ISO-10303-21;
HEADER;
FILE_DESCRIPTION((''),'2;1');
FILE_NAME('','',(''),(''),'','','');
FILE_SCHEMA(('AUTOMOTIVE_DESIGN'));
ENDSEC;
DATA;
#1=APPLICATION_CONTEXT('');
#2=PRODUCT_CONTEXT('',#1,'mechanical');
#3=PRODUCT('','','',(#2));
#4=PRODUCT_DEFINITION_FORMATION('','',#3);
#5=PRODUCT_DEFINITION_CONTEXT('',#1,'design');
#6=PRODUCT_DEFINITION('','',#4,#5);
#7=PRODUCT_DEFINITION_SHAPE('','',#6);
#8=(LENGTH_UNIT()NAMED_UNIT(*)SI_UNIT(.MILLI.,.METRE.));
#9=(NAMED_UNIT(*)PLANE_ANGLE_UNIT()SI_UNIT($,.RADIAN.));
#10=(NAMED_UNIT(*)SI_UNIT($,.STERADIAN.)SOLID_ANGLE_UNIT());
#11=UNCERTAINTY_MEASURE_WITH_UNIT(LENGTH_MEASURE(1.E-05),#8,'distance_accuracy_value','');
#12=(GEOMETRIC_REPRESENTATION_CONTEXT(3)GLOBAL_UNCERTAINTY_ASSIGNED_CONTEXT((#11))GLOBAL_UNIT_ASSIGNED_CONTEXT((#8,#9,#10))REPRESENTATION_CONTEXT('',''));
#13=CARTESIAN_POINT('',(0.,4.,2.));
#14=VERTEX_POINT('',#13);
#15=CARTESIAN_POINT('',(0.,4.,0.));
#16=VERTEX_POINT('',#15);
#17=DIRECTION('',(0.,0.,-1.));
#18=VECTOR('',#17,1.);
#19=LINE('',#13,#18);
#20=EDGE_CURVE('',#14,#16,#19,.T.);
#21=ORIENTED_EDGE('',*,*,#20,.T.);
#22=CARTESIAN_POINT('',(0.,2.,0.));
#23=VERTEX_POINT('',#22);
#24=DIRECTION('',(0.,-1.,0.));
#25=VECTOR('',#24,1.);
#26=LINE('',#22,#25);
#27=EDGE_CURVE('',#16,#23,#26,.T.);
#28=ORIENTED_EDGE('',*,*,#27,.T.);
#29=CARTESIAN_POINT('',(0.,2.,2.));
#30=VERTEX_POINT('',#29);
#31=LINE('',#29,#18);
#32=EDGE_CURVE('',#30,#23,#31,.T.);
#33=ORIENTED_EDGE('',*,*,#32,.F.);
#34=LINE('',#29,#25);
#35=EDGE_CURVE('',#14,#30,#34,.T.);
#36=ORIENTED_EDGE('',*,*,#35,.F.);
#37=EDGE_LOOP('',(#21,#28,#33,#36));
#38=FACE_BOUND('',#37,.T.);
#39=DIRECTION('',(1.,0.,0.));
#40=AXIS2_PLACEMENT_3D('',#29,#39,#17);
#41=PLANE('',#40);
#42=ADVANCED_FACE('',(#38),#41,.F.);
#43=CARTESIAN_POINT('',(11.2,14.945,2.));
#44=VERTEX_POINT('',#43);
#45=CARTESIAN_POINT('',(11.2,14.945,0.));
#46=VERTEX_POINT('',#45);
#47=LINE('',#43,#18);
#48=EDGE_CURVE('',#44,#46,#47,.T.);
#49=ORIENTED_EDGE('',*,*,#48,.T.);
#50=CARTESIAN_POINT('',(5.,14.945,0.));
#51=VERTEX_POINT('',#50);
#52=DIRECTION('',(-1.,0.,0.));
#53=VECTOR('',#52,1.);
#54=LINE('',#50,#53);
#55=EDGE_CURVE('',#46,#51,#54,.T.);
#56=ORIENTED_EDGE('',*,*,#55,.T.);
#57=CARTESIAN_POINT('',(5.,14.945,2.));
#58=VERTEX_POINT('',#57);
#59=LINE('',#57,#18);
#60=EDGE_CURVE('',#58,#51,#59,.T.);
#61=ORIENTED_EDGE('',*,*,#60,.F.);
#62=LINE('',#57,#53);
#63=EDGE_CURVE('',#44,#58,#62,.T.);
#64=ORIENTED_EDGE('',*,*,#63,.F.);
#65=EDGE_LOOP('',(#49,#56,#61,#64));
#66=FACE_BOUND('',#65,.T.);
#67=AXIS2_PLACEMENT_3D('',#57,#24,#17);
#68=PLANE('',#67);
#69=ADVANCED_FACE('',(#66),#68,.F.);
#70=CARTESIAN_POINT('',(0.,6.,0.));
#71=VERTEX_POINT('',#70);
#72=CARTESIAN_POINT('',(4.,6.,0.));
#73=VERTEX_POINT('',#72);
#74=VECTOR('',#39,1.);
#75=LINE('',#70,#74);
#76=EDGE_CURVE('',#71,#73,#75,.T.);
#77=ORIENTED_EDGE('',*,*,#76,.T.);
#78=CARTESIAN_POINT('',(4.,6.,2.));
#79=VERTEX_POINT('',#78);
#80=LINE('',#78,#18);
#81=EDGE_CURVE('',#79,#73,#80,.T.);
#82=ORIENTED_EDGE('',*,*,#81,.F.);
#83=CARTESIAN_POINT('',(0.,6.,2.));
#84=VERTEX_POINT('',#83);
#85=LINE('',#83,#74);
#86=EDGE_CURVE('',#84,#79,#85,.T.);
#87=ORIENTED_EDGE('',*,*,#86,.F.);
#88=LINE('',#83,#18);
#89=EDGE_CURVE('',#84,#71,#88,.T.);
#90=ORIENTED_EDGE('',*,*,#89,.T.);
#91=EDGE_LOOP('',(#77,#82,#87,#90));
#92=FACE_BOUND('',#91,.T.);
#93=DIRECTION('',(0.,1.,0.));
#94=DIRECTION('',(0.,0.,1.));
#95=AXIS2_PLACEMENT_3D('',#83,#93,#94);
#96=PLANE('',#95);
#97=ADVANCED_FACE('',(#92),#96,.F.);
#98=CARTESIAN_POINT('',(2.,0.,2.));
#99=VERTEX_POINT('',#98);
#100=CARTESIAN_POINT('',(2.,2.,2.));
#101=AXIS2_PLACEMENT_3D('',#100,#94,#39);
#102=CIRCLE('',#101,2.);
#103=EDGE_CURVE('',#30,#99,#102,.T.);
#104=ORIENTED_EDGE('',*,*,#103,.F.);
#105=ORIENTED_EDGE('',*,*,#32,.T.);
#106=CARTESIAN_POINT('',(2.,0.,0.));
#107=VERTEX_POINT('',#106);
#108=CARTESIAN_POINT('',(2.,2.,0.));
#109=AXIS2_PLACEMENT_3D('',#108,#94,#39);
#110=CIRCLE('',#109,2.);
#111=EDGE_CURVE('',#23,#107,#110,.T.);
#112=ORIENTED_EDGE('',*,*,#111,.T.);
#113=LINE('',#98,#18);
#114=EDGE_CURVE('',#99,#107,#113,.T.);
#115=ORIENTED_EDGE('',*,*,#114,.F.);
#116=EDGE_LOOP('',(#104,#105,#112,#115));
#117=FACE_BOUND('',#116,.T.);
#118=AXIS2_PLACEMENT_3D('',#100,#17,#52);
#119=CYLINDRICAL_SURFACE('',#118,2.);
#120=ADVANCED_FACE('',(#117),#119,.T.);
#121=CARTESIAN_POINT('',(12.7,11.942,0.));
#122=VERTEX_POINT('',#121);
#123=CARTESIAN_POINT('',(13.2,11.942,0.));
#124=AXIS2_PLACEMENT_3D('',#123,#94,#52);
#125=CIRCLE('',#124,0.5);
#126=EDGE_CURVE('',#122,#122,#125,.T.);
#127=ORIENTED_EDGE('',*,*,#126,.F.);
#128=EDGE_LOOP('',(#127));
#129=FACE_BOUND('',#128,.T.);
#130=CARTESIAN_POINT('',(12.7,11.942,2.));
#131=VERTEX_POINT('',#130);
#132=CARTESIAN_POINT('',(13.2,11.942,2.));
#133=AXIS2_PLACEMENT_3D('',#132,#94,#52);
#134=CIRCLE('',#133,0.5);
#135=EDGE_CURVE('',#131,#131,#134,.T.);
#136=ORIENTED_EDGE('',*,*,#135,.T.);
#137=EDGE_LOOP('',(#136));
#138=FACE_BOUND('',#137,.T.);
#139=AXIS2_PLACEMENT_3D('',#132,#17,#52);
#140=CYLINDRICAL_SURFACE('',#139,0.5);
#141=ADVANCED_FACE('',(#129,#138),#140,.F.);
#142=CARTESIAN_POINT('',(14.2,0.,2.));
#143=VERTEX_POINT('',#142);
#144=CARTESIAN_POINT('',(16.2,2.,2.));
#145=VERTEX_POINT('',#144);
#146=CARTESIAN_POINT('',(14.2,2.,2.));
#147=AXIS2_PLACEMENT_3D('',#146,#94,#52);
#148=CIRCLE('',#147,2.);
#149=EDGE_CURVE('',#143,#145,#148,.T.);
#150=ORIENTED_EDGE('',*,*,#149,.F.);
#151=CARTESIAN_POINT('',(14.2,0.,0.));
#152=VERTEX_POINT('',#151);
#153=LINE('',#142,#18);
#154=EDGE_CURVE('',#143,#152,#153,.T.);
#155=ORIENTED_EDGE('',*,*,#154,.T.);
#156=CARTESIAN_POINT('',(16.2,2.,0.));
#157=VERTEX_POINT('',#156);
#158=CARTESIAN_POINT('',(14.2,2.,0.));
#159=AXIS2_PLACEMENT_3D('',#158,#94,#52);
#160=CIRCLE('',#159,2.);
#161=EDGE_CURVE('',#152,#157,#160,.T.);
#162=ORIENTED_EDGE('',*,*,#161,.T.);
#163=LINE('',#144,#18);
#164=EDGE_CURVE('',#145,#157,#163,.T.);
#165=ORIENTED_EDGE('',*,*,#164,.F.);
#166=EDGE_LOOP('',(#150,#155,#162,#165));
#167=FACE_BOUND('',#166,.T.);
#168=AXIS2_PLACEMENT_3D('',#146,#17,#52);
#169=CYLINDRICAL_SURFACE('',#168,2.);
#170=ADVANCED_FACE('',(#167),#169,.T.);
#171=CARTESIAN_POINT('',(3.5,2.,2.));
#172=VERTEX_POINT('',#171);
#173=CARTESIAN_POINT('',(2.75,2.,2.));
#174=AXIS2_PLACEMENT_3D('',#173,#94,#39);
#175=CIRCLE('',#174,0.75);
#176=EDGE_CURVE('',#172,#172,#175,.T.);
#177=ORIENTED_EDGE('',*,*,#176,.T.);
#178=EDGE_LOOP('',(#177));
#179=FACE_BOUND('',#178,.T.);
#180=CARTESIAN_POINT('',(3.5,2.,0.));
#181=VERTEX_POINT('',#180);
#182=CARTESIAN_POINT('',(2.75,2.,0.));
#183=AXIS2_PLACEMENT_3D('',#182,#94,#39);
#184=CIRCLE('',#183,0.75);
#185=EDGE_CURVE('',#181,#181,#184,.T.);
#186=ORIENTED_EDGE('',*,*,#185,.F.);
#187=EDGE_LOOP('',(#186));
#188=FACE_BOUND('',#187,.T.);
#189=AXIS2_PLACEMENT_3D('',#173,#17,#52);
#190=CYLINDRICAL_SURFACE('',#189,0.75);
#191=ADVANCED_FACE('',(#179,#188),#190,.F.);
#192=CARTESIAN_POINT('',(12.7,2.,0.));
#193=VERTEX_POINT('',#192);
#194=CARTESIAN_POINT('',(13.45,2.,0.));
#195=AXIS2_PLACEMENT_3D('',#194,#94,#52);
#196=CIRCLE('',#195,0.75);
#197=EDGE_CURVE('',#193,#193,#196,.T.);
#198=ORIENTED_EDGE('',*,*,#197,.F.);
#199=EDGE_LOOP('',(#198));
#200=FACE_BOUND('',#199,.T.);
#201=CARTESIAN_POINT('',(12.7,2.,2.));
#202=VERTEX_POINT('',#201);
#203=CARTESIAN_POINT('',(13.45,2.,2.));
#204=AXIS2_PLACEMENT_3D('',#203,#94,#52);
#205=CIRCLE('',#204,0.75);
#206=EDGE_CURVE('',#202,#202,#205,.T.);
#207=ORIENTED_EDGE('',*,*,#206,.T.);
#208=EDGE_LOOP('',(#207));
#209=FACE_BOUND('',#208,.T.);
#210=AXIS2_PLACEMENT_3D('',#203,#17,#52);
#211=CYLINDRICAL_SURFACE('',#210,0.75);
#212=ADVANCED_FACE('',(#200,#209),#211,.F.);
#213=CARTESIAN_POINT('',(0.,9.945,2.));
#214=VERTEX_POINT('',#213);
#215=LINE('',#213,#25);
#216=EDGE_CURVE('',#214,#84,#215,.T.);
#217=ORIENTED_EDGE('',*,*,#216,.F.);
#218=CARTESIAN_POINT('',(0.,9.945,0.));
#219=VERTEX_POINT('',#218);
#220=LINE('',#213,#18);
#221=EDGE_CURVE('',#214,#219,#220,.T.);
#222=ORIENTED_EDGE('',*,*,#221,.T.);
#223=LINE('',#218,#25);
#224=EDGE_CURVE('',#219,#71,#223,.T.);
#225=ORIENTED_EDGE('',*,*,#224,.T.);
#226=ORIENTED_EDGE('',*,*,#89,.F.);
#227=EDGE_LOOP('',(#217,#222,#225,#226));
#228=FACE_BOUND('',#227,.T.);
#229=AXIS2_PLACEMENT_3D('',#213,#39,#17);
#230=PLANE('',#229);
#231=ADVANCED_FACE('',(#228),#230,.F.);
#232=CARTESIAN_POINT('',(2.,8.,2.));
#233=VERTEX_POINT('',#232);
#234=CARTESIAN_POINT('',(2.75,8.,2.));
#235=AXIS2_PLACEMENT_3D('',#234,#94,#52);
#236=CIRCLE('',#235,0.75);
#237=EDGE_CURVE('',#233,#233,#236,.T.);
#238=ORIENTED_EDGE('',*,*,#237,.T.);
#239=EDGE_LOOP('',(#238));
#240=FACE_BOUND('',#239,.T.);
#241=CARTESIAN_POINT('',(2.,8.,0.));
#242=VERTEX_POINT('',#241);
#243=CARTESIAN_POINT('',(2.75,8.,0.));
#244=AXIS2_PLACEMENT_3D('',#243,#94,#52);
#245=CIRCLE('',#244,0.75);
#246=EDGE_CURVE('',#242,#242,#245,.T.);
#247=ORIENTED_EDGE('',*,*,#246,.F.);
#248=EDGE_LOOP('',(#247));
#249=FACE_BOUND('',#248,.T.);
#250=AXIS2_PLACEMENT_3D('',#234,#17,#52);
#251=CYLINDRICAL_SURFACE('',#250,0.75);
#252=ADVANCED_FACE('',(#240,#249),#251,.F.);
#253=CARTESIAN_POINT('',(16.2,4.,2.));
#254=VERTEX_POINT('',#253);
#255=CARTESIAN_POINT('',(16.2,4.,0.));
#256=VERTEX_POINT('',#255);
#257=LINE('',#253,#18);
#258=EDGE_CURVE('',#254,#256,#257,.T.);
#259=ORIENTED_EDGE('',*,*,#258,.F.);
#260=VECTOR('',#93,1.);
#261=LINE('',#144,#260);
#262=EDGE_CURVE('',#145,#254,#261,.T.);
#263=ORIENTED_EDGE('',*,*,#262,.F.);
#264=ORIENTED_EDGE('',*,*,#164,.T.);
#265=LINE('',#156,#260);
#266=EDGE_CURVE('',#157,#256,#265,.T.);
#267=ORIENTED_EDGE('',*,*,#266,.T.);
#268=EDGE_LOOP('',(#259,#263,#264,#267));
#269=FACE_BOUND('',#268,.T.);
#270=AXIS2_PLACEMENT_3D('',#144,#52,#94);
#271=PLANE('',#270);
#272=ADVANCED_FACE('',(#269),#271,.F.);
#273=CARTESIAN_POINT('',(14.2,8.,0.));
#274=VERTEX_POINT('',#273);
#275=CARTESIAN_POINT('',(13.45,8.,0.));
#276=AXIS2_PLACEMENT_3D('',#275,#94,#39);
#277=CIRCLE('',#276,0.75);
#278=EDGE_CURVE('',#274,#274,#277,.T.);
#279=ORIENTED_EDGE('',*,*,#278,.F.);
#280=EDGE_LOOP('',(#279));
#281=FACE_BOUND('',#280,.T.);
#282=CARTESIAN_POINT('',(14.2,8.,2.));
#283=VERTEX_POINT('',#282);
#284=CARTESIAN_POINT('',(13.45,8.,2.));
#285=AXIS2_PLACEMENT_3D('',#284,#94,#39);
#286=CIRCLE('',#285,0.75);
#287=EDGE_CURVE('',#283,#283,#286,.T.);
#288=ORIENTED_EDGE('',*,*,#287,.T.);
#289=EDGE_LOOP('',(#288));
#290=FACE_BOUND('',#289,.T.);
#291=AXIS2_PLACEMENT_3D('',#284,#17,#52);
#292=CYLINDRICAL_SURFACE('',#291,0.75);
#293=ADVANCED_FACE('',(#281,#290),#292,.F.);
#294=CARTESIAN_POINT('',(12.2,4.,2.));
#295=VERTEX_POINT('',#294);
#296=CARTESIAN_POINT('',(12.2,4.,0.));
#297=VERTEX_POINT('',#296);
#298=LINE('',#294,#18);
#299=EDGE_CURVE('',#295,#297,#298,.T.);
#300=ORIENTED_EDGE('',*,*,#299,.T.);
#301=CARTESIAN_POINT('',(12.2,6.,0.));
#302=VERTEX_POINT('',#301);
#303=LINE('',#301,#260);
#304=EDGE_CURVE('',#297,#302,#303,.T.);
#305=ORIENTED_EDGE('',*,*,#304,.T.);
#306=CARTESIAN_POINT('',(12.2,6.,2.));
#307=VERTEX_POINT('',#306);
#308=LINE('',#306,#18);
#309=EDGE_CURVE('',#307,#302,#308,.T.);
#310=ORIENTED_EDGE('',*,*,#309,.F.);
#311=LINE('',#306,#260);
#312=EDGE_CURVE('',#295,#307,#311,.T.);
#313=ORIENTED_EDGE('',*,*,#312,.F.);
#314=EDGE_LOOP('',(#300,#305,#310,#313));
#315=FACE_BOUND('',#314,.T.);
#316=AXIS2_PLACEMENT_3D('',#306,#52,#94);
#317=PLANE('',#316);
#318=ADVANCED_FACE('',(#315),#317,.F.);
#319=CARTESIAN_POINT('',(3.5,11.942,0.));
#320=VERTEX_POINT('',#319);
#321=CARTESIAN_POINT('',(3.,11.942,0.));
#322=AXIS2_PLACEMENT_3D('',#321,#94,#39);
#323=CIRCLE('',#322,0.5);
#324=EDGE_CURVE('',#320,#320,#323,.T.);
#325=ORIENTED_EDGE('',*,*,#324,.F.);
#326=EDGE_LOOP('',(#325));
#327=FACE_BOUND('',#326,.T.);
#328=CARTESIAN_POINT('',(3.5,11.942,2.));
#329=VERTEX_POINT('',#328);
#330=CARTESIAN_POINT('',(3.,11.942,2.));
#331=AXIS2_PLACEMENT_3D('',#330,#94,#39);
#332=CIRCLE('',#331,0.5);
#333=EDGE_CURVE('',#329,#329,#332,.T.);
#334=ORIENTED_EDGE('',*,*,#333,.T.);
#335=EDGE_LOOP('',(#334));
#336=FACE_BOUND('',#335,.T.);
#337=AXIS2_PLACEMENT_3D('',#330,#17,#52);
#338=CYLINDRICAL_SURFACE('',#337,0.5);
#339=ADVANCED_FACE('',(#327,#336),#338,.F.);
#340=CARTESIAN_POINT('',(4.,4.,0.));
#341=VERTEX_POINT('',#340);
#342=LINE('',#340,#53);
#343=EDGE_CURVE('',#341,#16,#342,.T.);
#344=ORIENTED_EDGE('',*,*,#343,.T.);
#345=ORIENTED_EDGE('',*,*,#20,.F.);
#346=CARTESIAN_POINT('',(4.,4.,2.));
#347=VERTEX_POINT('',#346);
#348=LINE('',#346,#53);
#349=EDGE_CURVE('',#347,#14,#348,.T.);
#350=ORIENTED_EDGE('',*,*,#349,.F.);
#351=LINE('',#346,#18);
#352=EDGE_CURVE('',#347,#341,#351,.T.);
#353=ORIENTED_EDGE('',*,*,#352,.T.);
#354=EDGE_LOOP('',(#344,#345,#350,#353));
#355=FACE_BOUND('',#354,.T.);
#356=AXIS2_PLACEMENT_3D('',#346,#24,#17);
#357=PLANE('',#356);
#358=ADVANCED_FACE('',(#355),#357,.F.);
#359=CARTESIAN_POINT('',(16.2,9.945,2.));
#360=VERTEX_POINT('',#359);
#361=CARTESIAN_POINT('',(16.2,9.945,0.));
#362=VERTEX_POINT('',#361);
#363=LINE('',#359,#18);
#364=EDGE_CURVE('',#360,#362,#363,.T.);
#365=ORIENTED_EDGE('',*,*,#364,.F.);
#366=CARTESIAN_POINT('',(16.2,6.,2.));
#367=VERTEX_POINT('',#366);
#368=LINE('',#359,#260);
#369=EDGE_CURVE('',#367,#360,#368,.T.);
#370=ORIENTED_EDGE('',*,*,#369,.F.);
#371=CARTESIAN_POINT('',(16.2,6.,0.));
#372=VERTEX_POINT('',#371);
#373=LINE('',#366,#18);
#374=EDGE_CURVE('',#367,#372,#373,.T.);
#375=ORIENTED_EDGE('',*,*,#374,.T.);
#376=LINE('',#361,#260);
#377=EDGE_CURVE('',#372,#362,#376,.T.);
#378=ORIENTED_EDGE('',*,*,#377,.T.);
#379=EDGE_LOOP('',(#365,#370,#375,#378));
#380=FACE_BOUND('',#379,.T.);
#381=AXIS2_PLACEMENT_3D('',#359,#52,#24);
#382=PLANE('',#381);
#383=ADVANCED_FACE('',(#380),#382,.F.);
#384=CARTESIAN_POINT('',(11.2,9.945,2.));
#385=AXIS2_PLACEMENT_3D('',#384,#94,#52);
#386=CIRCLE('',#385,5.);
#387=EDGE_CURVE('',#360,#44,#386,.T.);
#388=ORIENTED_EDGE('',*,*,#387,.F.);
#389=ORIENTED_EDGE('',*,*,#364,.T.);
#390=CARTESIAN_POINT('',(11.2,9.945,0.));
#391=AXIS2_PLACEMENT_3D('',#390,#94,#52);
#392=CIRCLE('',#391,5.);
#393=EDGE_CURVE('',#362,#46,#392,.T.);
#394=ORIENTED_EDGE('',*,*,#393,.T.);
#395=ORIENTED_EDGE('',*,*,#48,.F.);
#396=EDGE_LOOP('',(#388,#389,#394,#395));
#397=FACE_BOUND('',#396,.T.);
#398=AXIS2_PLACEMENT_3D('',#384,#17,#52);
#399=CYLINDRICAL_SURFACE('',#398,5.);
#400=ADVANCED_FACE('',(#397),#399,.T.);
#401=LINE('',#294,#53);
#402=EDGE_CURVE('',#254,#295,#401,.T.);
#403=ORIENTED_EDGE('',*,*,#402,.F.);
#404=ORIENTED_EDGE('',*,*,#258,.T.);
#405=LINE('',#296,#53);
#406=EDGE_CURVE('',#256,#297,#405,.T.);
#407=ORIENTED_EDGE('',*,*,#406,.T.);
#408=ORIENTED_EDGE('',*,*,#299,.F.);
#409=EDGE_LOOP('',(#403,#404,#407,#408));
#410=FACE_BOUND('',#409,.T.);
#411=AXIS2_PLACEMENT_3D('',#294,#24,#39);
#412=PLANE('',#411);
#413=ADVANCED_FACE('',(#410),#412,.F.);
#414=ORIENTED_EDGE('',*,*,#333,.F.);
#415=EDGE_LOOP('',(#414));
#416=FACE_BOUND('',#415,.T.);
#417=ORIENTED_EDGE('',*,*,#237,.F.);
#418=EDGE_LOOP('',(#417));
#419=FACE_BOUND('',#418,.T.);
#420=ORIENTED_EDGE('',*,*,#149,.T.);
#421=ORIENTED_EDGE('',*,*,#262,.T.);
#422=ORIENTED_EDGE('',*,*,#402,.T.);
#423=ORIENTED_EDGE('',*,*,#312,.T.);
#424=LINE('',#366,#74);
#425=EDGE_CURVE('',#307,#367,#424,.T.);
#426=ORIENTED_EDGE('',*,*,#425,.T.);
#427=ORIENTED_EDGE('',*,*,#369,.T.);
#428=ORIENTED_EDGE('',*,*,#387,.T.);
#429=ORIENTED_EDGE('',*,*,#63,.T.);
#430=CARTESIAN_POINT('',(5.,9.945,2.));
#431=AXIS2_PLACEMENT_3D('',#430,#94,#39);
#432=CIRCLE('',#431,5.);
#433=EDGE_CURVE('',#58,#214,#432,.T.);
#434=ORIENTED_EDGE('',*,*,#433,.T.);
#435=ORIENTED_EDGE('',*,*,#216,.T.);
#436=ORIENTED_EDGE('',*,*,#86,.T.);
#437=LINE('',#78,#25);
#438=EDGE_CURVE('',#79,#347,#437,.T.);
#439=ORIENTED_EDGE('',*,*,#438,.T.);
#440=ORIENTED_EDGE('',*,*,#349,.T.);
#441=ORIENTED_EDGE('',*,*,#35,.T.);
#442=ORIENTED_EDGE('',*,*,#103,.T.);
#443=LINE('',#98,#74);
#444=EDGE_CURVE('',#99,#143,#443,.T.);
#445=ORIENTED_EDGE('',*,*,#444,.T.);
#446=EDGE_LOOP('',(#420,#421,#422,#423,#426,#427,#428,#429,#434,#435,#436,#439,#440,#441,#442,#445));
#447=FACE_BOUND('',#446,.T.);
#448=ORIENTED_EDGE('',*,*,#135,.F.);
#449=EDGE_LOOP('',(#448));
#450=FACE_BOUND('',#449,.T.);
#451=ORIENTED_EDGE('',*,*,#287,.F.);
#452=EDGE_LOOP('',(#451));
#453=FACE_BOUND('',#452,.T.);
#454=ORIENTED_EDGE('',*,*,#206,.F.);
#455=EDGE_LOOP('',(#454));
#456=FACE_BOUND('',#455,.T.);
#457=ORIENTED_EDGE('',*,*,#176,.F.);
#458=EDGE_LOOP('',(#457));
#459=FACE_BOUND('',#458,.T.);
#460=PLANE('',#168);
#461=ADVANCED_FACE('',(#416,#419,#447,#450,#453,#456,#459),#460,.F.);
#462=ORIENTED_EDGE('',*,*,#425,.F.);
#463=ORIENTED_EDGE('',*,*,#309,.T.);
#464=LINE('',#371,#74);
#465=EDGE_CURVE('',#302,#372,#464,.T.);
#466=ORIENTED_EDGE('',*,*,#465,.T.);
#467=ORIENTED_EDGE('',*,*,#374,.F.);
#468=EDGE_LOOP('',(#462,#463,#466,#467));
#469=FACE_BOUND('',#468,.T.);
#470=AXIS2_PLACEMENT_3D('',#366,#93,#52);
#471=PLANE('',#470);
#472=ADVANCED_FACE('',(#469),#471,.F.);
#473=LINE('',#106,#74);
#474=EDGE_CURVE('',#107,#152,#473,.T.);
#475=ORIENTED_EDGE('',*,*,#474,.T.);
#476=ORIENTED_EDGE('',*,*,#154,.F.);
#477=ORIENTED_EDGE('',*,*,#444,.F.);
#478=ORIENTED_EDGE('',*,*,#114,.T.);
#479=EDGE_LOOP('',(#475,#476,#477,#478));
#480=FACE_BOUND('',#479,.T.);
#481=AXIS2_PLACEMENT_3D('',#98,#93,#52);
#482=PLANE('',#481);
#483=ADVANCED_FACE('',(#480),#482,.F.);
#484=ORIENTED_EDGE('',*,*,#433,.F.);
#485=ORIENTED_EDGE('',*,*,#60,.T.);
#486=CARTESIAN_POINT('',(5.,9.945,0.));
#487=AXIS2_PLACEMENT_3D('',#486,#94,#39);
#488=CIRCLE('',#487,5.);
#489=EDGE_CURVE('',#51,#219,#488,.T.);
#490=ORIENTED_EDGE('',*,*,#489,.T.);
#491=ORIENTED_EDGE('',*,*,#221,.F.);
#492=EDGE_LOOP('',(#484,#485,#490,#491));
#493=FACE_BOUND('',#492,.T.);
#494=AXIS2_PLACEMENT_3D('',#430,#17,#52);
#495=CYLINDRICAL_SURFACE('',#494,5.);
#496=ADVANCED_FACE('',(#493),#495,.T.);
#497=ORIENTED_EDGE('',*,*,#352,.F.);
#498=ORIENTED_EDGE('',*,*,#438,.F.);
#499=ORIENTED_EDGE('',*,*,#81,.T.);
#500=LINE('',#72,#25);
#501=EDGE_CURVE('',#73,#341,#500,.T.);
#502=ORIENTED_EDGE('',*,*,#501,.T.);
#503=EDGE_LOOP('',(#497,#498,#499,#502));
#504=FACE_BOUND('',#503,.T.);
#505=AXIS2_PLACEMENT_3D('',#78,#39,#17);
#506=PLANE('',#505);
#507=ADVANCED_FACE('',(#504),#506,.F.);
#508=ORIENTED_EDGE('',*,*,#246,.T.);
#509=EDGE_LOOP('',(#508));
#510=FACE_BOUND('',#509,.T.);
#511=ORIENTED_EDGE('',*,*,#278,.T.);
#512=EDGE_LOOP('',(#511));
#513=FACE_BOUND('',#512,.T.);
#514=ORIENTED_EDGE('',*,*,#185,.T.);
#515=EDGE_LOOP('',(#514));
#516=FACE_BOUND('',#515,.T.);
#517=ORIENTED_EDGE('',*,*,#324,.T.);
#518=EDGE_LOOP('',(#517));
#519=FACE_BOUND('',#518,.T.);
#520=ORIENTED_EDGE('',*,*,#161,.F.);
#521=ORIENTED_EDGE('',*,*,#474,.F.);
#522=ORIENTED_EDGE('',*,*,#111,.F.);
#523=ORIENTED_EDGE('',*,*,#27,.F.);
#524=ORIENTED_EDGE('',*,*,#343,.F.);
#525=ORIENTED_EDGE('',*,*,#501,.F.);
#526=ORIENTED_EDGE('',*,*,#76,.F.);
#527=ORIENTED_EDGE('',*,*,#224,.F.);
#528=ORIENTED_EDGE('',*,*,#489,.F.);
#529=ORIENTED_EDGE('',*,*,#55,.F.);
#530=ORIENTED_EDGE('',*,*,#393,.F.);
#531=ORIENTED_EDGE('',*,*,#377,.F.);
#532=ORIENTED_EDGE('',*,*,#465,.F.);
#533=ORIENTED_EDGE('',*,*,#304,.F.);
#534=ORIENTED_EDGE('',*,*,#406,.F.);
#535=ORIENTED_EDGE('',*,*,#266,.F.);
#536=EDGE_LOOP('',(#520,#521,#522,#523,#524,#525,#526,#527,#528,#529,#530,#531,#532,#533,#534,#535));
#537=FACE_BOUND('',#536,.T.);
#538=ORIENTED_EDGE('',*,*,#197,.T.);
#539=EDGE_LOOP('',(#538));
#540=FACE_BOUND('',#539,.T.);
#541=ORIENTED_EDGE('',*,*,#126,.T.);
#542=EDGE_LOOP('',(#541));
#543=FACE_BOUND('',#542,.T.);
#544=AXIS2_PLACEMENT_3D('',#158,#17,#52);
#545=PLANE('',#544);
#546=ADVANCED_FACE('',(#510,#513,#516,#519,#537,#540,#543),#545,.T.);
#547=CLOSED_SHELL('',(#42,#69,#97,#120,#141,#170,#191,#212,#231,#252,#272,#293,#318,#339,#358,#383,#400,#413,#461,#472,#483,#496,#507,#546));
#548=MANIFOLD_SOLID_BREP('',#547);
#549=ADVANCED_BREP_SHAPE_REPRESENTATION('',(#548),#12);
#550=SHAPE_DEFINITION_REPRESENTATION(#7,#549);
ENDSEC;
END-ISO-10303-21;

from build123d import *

# Parameters (mm, degrees)
SKETCH2_R           = 0.75
SKETCH2_R_2         = 0.5
BOSS_EXTRUDE1_DEPTH = 2


with BuildPart() as part:
    # Sketch2 → Boss-Extrude1 (new body)
    with BuildSketch(Plane.XY):
        with BuildLine():
            Line((0, 9.945), (0, 6))
            Line((0, 6), (4, 6))
            Line((4, 6), (4, 4))
            Line((4, 4), (0, 4))
            Line((0, 4), (0, 2))
            ThreePointArc((0, 2), (0.585786438, 0.585786438), (2, 0))
            Line((2, 0), (14.2, 0))
            ThreePointArc((14.2, 0), (15.614213562, 0.585786438), (16.2, 2))
            Line((16.2, 2), (16.2, 4))
            Line((16.2, 4), (12.2, 4))
            Line((12.2, 4), (12.2, 6))
            Line((12.2, 6), (16.2, 6))
            Line((16.2, 6), (16.2, 9.945))
            ThreePointArc((16.2, 9.945), (14.735533906, 13.480533906), (11.2, 14.945))
            Line((11.2, 14.945), (5, 14.945))
            ThreePointArc((5, 14.945), (1.464466094, 13.480533906), (0, 9.945))
        make_face()
        with Locations((13.45, 8)):
            Circle(SKETCH2_R, mode=Mode.SUBTRACT)
        with Locations((13.45, 2)):
            Circle(SKETCH2_R, mode=Mode.SUBTRACT)
        with Locations((13.2, 11.942)):
            Circle(SKETCH2_R_2, mode=Mode.SUBTRACT)
        with Locations((3, 11.942)):
            Circle(SKETCH2_R_2, mode=Mode.SUBTRACT)
        with Locations((2.75, 2)):
            Circle(SKETCH2_R, mode=Mode.SUBTRACT)
        with Locations((2.75, 8)):
            Circle(SKETCH2_R, mode=Mode.SUBTRACT)
    extrude(amount=BOSS_EXTRUDE1_DEPTH)


solid = part.part
